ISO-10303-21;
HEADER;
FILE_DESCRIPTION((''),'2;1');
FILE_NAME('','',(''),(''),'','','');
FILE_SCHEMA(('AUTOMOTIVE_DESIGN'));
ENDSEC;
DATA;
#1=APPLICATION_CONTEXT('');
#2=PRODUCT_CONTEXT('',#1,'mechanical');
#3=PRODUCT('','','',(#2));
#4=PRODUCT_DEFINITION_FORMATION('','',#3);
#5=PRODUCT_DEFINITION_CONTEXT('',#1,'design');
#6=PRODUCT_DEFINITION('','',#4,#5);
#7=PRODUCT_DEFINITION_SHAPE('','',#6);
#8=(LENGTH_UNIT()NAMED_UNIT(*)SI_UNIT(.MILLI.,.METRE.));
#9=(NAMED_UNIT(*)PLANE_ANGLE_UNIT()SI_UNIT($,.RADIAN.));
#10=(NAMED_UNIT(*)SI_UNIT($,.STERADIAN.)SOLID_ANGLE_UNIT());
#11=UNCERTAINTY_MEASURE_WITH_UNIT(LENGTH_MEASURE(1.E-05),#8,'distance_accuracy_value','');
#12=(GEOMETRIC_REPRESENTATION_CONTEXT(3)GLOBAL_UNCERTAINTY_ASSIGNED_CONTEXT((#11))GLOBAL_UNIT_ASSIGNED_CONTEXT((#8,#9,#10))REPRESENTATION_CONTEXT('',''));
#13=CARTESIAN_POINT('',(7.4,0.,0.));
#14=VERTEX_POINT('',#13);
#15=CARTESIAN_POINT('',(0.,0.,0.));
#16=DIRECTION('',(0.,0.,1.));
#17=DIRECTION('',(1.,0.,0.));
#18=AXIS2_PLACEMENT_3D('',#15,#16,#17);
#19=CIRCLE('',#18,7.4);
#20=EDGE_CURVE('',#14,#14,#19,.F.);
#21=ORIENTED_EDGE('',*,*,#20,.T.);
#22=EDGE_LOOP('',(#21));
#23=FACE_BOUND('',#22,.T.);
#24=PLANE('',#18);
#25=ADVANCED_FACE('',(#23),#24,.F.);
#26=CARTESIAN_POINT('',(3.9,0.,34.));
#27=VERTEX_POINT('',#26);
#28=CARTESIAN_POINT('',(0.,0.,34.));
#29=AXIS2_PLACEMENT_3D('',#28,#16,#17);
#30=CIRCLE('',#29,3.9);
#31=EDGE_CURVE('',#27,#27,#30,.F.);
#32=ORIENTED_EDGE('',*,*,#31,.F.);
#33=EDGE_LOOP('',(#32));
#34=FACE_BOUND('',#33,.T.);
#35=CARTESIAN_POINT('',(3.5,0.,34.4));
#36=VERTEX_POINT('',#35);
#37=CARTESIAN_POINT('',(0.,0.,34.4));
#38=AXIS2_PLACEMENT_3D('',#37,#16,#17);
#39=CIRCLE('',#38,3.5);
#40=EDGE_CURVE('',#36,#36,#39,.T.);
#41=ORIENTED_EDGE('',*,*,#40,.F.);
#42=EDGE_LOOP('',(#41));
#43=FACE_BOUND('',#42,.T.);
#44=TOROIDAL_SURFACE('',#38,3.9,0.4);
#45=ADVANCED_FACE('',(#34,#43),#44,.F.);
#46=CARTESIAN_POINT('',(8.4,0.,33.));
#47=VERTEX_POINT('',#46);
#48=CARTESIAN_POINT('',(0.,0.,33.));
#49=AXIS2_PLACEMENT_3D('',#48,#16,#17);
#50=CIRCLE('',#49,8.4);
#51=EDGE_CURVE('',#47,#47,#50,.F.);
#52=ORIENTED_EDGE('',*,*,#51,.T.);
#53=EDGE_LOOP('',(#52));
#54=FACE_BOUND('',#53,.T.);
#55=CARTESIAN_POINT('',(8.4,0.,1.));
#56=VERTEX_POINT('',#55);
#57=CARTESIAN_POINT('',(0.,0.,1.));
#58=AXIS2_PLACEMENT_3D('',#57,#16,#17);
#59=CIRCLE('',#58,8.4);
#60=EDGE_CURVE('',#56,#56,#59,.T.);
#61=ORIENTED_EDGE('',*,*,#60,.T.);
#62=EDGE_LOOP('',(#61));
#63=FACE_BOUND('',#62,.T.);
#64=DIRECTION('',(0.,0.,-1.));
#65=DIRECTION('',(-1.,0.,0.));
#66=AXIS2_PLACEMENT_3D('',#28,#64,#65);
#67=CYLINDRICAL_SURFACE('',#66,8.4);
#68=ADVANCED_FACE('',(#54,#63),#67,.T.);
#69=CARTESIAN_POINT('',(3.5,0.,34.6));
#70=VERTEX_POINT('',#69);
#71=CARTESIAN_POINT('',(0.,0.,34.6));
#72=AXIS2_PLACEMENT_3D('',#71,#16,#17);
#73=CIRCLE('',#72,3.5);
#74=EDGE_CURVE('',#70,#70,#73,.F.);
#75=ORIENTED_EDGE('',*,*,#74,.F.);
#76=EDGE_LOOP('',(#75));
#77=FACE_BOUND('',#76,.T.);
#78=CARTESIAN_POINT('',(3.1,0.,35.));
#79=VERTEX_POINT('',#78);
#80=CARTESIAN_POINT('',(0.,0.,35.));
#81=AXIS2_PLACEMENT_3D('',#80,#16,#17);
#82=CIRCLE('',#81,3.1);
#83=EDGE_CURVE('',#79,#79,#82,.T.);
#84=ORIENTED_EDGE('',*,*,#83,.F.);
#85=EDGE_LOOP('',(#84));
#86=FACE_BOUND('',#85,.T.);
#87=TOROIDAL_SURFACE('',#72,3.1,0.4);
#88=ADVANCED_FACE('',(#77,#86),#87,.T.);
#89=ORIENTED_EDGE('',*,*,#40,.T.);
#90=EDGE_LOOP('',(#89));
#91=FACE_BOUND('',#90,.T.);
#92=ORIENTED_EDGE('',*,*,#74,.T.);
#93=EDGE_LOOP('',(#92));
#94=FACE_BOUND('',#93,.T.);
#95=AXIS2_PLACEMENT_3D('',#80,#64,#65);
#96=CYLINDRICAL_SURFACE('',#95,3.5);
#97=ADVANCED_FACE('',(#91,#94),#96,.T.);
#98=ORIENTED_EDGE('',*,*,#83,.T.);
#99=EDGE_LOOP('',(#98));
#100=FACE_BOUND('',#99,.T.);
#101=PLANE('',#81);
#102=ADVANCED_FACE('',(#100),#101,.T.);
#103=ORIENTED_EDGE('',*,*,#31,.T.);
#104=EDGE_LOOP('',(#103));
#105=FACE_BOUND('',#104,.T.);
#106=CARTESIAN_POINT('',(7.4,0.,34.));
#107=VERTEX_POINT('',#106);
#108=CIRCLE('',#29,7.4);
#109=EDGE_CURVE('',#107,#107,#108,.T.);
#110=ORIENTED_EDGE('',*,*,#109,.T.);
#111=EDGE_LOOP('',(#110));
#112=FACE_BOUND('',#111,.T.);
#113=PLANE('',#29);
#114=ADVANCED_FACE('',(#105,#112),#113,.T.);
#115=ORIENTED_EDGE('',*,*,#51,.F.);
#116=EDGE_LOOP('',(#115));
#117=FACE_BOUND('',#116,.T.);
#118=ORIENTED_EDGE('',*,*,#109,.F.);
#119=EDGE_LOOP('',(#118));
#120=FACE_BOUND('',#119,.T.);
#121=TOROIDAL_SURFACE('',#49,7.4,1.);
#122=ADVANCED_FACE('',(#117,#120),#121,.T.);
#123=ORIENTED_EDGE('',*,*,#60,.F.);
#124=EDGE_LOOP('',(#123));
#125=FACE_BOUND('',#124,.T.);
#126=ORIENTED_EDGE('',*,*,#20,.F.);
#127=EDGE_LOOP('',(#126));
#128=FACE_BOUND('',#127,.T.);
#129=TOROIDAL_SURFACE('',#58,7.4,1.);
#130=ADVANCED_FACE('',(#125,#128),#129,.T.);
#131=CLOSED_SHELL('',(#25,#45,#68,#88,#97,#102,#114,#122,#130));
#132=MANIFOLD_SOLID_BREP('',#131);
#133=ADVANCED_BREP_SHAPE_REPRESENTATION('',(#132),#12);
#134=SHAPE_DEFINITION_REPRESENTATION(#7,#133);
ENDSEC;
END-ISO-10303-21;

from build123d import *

# Parameters (mm, degrees)
SKETCH1_R           = 8.4
BOSS_EXTRUDE1_DEPTH = 34
SKETCH2_R           = 3.5
BOSS_EXTRUDE2_DEPTH = 1
FILLET1_R           = 1
FILLET2_R           = 0.4


with BuildPart() as part:
    # Sketch1 → Boss-Extrude1 (new body)
    with BuildSketch(Plane.XY):
        Circle(SKETCH1_R)
    extrude(amount=BOSS_EXTRUDE1_DEPTH)

    # Sketch2 → Boss-Extrude2 (add)
    with BuildSketch(Plane.XY.offset(34)):
        Circle(SKETCH2_R)
    extrude(amount=BOSS_EXTRUDE2_DEPTH)

    # Fillet1
    fillet1_edges = [part.edges().sort_by_distance(p)[0] for p in [
        (-8.4, 0, 0),
        (-8.4, 0, 34),
    ]]
    fillet(fillet1_edges, radius=FILLET1_R)

    # Fillet2
    fillet2_edges = [part.edges().sort_by_distance(p)[0] for p in [
        (-3.5, 0, 34),
        (-3.5, 0, 35),
    ]]
    fillet(fillet2_edges, radius=FILLET2_R)


solid = part.part
